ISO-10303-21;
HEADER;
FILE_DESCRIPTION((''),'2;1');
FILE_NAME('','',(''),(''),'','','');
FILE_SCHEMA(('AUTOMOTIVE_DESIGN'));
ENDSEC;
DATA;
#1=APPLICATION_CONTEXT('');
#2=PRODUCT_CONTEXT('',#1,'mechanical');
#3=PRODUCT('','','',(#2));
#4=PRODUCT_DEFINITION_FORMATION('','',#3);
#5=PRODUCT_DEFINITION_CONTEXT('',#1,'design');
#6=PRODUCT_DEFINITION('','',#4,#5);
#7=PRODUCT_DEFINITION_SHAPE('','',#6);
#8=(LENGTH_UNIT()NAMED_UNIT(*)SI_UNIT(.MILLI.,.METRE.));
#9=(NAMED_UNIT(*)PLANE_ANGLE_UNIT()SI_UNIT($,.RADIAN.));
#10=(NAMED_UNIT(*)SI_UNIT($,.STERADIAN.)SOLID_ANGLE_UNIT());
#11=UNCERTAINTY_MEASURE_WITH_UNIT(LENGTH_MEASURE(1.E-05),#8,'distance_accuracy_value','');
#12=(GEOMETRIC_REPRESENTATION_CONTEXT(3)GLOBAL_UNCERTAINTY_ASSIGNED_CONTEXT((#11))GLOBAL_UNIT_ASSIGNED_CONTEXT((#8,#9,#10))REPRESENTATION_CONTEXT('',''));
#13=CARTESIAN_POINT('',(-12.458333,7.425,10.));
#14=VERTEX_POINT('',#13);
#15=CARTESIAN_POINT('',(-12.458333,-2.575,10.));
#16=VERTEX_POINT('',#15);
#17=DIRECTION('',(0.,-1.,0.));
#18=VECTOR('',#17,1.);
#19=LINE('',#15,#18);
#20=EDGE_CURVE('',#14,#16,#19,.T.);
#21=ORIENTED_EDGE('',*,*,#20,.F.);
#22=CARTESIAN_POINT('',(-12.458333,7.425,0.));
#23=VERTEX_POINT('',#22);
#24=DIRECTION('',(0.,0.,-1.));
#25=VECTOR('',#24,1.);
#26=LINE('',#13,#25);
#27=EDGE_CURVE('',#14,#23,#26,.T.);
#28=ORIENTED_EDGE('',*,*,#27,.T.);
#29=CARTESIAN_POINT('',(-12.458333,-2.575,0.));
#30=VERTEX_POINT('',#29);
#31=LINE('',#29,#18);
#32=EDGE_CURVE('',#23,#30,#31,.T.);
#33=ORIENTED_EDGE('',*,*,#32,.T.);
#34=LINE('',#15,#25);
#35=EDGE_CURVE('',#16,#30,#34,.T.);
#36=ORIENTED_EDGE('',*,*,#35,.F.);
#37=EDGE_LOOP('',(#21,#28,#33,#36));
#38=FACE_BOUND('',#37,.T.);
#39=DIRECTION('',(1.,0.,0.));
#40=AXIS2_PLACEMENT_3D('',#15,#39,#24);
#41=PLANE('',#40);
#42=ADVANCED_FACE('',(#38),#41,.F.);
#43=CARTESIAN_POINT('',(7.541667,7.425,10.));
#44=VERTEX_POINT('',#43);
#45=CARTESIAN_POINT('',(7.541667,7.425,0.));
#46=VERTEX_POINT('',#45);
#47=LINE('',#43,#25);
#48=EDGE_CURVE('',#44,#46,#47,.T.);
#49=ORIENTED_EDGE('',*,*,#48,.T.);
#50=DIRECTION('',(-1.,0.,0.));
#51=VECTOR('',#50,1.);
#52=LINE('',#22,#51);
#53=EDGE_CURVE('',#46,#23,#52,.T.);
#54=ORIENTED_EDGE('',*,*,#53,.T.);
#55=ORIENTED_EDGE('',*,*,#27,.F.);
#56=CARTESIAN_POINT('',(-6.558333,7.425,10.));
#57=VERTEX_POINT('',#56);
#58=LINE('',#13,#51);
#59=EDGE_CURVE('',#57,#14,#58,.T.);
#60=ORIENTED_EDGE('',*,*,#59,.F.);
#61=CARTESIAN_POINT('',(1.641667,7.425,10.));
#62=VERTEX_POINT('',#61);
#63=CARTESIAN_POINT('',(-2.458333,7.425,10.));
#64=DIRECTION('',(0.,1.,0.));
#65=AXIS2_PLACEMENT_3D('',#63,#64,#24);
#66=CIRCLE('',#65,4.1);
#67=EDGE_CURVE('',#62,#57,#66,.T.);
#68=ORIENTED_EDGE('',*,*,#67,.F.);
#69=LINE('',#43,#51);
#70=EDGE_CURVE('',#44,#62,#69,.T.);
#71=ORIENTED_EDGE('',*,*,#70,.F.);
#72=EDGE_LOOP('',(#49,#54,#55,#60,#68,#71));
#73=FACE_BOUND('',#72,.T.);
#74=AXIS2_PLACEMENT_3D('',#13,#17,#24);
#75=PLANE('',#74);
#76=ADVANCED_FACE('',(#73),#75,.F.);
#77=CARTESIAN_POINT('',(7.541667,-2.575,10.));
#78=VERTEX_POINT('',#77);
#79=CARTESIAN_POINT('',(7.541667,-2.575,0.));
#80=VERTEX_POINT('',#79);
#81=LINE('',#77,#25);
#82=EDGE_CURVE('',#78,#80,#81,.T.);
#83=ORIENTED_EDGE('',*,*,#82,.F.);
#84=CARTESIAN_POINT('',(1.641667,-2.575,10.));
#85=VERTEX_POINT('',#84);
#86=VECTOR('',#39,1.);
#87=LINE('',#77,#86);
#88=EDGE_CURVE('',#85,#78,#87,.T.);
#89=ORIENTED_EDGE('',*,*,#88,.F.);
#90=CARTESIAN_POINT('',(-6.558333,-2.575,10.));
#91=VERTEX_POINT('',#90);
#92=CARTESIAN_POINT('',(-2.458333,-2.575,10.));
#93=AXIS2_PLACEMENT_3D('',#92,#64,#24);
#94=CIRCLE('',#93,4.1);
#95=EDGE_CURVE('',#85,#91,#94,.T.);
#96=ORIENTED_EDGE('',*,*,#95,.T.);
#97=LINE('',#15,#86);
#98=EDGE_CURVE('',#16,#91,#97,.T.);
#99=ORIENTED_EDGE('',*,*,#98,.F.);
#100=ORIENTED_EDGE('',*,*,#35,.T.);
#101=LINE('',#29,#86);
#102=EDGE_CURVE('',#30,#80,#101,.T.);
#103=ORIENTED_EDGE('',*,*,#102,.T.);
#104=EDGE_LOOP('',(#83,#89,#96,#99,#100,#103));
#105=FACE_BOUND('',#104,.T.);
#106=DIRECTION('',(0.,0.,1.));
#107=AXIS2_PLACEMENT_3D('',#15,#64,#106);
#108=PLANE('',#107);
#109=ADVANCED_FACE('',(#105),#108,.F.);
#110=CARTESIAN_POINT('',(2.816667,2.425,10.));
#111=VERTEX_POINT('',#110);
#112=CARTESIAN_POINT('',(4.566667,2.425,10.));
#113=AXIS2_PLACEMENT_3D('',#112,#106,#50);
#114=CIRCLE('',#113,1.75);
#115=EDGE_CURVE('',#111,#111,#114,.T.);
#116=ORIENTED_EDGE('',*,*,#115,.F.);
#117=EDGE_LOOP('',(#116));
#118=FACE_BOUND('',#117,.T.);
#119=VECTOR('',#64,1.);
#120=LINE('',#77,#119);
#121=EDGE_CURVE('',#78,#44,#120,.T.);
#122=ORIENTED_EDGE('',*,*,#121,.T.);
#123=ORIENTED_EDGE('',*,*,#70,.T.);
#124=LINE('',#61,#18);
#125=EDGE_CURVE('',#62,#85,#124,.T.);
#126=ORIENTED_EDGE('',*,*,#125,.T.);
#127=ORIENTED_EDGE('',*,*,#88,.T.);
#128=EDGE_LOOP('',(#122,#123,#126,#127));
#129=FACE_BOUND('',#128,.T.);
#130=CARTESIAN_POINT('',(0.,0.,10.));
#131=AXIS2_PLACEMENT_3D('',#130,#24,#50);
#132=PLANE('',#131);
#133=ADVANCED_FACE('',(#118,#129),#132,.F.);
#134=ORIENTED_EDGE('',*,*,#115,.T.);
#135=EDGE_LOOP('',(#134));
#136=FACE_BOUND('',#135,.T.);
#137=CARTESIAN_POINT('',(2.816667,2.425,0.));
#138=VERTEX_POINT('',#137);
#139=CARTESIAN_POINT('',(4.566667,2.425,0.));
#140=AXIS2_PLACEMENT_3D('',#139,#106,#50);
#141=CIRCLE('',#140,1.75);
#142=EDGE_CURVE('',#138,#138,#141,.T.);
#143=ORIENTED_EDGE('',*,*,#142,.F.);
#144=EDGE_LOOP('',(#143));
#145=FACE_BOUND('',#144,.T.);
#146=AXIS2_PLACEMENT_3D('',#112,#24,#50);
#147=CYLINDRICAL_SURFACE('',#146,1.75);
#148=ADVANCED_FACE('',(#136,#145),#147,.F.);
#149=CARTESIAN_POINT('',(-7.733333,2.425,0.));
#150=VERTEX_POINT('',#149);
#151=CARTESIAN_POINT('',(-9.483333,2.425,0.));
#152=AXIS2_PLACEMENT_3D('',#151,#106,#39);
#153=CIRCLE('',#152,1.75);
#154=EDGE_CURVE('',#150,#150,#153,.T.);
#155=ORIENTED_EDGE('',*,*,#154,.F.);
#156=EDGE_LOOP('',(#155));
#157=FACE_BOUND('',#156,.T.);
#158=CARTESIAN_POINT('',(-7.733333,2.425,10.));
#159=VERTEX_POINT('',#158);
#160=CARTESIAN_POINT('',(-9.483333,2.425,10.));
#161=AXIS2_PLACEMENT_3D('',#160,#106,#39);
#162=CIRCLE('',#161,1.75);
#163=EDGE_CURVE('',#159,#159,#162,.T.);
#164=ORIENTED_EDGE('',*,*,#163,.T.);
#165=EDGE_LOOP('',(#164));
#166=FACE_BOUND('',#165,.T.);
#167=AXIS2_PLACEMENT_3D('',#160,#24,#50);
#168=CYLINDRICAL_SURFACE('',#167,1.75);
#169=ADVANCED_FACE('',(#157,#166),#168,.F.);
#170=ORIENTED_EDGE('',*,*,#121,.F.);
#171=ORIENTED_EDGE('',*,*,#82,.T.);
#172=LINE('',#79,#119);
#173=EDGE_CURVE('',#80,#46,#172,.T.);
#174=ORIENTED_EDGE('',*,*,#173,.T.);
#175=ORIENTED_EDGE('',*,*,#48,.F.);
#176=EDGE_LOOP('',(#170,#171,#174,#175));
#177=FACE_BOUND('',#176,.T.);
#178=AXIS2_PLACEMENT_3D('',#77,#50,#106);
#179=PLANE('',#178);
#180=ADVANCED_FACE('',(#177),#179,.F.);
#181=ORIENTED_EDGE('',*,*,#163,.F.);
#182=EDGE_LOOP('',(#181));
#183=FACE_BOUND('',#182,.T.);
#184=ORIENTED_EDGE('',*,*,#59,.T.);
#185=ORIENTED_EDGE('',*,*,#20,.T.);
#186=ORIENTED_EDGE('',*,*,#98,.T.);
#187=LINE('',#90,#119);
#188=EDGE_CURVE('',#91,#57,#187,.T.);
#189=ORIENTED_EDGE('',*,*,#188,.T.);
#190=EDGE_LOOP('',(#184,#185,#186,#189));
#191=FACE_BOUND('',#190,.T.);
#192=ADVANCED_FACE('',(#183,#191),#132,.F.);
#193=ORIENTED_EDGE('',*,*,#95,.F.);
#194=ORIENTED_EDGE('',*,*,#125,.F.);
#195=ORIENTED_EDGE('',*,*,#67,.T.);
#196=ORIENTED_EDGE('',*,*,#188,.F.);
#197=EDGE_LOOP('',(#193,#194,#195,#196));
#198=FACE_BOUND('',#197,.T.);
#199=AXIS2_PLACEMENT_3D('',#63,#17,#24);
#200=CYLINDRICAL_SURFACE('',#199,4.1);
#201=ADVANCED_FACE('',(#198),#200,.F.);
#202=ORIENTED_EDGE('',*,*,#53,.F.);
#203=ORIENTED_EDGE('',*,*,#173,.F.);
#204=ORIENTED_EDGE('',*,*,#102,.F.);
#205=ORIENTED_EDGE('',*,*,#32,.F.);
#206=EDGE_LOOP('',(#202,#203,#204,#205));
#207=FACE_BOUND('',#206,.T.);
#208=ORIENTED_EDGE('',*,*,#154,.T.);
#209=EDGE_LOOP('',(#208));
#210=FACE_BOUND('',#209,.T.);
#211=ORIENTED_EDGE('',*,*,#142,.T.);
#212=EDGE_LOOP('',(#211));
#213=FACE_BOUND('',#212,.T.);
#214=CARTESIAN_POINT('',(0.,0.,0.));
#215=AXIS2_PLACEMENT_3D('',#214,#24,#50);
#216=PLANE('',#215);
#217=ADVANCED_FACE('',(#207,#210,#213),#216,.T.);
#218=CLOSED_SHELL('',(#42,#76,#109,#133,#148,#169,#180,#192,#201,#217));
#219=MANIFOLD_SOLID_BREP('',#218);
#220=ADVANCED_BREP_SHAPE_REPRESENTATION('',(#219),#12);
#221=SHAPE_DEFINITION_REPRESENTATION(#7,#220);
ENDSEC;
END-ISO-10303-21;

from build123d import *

# Parameters (mm, degrees)
CROQUIS1_W                = 5.9
CROQUIS1_H                = 10
CROQUIS1_R                = 1.75
SALIENTE_EXTRUIR1_DEPTH   = 10
SALIENTE_EXTRUIR1_2_DEPTH = 10
SALIENTE_EXTRUIR2_DEPTH   = 10


with BuildPart() as part:
    # Croquis1 → Saliente-Extruir1 (new body)
    with BuildSketch(Plane.XY):
        with Locations((-9.508333333, 2.425)):
            Rectangle(CROQUIS1_W, CROQUIS1_H)
        with Locations((-9.483333333, 2.425)):
            Circle(CROQUIS1_R, mode=Mode.SUBTRACT)
    extrude(amount=SALIENTE_EXTRUIR1_DEPTH)



with BuildPart() as body_2:
    # Croquis1 → Saliente-Extruir1 2 (new body)
    with BuildSketch(Plane.XY):
        with Locations((4.591666667, 2.425)):
            Rectangle(CROQUIS1_W, CROQUIS1_H)
        with Locations(Location((4.566666667, 2.425, 0), (0, 0, 180))):
            Circle(CROQUIS1_R, mode=Mode.SUBTRACT)
    extrude(amount=SALIENTE_EXTRUIR1_2_DEPTH)


with BuildPart() as part_1:
    add(part.part)

    add(body_2.part)  # Saliente-Extruir2 merges body 2
    # Croquis3 → Saliente-Extruir2 (add)
    with BuildSketch(Plane.XZ.offset(2.575)):
        with BuildLine():
            Line((-6.558333333, 10), (-6.558333333, 0))
            Line((-6.558333333, 0), (1.641666667, 0))
            Line((1.641666667, 0), (1.641666667, 10))
            ThreePointArc((1.641666667, 10), (-2.458333333, 5.9), (-6.558333333, 10))
        make_face()
    extrude(amount=-SALIENTE_EXTRUIR2_DEPTH)


solid = part_1.part
